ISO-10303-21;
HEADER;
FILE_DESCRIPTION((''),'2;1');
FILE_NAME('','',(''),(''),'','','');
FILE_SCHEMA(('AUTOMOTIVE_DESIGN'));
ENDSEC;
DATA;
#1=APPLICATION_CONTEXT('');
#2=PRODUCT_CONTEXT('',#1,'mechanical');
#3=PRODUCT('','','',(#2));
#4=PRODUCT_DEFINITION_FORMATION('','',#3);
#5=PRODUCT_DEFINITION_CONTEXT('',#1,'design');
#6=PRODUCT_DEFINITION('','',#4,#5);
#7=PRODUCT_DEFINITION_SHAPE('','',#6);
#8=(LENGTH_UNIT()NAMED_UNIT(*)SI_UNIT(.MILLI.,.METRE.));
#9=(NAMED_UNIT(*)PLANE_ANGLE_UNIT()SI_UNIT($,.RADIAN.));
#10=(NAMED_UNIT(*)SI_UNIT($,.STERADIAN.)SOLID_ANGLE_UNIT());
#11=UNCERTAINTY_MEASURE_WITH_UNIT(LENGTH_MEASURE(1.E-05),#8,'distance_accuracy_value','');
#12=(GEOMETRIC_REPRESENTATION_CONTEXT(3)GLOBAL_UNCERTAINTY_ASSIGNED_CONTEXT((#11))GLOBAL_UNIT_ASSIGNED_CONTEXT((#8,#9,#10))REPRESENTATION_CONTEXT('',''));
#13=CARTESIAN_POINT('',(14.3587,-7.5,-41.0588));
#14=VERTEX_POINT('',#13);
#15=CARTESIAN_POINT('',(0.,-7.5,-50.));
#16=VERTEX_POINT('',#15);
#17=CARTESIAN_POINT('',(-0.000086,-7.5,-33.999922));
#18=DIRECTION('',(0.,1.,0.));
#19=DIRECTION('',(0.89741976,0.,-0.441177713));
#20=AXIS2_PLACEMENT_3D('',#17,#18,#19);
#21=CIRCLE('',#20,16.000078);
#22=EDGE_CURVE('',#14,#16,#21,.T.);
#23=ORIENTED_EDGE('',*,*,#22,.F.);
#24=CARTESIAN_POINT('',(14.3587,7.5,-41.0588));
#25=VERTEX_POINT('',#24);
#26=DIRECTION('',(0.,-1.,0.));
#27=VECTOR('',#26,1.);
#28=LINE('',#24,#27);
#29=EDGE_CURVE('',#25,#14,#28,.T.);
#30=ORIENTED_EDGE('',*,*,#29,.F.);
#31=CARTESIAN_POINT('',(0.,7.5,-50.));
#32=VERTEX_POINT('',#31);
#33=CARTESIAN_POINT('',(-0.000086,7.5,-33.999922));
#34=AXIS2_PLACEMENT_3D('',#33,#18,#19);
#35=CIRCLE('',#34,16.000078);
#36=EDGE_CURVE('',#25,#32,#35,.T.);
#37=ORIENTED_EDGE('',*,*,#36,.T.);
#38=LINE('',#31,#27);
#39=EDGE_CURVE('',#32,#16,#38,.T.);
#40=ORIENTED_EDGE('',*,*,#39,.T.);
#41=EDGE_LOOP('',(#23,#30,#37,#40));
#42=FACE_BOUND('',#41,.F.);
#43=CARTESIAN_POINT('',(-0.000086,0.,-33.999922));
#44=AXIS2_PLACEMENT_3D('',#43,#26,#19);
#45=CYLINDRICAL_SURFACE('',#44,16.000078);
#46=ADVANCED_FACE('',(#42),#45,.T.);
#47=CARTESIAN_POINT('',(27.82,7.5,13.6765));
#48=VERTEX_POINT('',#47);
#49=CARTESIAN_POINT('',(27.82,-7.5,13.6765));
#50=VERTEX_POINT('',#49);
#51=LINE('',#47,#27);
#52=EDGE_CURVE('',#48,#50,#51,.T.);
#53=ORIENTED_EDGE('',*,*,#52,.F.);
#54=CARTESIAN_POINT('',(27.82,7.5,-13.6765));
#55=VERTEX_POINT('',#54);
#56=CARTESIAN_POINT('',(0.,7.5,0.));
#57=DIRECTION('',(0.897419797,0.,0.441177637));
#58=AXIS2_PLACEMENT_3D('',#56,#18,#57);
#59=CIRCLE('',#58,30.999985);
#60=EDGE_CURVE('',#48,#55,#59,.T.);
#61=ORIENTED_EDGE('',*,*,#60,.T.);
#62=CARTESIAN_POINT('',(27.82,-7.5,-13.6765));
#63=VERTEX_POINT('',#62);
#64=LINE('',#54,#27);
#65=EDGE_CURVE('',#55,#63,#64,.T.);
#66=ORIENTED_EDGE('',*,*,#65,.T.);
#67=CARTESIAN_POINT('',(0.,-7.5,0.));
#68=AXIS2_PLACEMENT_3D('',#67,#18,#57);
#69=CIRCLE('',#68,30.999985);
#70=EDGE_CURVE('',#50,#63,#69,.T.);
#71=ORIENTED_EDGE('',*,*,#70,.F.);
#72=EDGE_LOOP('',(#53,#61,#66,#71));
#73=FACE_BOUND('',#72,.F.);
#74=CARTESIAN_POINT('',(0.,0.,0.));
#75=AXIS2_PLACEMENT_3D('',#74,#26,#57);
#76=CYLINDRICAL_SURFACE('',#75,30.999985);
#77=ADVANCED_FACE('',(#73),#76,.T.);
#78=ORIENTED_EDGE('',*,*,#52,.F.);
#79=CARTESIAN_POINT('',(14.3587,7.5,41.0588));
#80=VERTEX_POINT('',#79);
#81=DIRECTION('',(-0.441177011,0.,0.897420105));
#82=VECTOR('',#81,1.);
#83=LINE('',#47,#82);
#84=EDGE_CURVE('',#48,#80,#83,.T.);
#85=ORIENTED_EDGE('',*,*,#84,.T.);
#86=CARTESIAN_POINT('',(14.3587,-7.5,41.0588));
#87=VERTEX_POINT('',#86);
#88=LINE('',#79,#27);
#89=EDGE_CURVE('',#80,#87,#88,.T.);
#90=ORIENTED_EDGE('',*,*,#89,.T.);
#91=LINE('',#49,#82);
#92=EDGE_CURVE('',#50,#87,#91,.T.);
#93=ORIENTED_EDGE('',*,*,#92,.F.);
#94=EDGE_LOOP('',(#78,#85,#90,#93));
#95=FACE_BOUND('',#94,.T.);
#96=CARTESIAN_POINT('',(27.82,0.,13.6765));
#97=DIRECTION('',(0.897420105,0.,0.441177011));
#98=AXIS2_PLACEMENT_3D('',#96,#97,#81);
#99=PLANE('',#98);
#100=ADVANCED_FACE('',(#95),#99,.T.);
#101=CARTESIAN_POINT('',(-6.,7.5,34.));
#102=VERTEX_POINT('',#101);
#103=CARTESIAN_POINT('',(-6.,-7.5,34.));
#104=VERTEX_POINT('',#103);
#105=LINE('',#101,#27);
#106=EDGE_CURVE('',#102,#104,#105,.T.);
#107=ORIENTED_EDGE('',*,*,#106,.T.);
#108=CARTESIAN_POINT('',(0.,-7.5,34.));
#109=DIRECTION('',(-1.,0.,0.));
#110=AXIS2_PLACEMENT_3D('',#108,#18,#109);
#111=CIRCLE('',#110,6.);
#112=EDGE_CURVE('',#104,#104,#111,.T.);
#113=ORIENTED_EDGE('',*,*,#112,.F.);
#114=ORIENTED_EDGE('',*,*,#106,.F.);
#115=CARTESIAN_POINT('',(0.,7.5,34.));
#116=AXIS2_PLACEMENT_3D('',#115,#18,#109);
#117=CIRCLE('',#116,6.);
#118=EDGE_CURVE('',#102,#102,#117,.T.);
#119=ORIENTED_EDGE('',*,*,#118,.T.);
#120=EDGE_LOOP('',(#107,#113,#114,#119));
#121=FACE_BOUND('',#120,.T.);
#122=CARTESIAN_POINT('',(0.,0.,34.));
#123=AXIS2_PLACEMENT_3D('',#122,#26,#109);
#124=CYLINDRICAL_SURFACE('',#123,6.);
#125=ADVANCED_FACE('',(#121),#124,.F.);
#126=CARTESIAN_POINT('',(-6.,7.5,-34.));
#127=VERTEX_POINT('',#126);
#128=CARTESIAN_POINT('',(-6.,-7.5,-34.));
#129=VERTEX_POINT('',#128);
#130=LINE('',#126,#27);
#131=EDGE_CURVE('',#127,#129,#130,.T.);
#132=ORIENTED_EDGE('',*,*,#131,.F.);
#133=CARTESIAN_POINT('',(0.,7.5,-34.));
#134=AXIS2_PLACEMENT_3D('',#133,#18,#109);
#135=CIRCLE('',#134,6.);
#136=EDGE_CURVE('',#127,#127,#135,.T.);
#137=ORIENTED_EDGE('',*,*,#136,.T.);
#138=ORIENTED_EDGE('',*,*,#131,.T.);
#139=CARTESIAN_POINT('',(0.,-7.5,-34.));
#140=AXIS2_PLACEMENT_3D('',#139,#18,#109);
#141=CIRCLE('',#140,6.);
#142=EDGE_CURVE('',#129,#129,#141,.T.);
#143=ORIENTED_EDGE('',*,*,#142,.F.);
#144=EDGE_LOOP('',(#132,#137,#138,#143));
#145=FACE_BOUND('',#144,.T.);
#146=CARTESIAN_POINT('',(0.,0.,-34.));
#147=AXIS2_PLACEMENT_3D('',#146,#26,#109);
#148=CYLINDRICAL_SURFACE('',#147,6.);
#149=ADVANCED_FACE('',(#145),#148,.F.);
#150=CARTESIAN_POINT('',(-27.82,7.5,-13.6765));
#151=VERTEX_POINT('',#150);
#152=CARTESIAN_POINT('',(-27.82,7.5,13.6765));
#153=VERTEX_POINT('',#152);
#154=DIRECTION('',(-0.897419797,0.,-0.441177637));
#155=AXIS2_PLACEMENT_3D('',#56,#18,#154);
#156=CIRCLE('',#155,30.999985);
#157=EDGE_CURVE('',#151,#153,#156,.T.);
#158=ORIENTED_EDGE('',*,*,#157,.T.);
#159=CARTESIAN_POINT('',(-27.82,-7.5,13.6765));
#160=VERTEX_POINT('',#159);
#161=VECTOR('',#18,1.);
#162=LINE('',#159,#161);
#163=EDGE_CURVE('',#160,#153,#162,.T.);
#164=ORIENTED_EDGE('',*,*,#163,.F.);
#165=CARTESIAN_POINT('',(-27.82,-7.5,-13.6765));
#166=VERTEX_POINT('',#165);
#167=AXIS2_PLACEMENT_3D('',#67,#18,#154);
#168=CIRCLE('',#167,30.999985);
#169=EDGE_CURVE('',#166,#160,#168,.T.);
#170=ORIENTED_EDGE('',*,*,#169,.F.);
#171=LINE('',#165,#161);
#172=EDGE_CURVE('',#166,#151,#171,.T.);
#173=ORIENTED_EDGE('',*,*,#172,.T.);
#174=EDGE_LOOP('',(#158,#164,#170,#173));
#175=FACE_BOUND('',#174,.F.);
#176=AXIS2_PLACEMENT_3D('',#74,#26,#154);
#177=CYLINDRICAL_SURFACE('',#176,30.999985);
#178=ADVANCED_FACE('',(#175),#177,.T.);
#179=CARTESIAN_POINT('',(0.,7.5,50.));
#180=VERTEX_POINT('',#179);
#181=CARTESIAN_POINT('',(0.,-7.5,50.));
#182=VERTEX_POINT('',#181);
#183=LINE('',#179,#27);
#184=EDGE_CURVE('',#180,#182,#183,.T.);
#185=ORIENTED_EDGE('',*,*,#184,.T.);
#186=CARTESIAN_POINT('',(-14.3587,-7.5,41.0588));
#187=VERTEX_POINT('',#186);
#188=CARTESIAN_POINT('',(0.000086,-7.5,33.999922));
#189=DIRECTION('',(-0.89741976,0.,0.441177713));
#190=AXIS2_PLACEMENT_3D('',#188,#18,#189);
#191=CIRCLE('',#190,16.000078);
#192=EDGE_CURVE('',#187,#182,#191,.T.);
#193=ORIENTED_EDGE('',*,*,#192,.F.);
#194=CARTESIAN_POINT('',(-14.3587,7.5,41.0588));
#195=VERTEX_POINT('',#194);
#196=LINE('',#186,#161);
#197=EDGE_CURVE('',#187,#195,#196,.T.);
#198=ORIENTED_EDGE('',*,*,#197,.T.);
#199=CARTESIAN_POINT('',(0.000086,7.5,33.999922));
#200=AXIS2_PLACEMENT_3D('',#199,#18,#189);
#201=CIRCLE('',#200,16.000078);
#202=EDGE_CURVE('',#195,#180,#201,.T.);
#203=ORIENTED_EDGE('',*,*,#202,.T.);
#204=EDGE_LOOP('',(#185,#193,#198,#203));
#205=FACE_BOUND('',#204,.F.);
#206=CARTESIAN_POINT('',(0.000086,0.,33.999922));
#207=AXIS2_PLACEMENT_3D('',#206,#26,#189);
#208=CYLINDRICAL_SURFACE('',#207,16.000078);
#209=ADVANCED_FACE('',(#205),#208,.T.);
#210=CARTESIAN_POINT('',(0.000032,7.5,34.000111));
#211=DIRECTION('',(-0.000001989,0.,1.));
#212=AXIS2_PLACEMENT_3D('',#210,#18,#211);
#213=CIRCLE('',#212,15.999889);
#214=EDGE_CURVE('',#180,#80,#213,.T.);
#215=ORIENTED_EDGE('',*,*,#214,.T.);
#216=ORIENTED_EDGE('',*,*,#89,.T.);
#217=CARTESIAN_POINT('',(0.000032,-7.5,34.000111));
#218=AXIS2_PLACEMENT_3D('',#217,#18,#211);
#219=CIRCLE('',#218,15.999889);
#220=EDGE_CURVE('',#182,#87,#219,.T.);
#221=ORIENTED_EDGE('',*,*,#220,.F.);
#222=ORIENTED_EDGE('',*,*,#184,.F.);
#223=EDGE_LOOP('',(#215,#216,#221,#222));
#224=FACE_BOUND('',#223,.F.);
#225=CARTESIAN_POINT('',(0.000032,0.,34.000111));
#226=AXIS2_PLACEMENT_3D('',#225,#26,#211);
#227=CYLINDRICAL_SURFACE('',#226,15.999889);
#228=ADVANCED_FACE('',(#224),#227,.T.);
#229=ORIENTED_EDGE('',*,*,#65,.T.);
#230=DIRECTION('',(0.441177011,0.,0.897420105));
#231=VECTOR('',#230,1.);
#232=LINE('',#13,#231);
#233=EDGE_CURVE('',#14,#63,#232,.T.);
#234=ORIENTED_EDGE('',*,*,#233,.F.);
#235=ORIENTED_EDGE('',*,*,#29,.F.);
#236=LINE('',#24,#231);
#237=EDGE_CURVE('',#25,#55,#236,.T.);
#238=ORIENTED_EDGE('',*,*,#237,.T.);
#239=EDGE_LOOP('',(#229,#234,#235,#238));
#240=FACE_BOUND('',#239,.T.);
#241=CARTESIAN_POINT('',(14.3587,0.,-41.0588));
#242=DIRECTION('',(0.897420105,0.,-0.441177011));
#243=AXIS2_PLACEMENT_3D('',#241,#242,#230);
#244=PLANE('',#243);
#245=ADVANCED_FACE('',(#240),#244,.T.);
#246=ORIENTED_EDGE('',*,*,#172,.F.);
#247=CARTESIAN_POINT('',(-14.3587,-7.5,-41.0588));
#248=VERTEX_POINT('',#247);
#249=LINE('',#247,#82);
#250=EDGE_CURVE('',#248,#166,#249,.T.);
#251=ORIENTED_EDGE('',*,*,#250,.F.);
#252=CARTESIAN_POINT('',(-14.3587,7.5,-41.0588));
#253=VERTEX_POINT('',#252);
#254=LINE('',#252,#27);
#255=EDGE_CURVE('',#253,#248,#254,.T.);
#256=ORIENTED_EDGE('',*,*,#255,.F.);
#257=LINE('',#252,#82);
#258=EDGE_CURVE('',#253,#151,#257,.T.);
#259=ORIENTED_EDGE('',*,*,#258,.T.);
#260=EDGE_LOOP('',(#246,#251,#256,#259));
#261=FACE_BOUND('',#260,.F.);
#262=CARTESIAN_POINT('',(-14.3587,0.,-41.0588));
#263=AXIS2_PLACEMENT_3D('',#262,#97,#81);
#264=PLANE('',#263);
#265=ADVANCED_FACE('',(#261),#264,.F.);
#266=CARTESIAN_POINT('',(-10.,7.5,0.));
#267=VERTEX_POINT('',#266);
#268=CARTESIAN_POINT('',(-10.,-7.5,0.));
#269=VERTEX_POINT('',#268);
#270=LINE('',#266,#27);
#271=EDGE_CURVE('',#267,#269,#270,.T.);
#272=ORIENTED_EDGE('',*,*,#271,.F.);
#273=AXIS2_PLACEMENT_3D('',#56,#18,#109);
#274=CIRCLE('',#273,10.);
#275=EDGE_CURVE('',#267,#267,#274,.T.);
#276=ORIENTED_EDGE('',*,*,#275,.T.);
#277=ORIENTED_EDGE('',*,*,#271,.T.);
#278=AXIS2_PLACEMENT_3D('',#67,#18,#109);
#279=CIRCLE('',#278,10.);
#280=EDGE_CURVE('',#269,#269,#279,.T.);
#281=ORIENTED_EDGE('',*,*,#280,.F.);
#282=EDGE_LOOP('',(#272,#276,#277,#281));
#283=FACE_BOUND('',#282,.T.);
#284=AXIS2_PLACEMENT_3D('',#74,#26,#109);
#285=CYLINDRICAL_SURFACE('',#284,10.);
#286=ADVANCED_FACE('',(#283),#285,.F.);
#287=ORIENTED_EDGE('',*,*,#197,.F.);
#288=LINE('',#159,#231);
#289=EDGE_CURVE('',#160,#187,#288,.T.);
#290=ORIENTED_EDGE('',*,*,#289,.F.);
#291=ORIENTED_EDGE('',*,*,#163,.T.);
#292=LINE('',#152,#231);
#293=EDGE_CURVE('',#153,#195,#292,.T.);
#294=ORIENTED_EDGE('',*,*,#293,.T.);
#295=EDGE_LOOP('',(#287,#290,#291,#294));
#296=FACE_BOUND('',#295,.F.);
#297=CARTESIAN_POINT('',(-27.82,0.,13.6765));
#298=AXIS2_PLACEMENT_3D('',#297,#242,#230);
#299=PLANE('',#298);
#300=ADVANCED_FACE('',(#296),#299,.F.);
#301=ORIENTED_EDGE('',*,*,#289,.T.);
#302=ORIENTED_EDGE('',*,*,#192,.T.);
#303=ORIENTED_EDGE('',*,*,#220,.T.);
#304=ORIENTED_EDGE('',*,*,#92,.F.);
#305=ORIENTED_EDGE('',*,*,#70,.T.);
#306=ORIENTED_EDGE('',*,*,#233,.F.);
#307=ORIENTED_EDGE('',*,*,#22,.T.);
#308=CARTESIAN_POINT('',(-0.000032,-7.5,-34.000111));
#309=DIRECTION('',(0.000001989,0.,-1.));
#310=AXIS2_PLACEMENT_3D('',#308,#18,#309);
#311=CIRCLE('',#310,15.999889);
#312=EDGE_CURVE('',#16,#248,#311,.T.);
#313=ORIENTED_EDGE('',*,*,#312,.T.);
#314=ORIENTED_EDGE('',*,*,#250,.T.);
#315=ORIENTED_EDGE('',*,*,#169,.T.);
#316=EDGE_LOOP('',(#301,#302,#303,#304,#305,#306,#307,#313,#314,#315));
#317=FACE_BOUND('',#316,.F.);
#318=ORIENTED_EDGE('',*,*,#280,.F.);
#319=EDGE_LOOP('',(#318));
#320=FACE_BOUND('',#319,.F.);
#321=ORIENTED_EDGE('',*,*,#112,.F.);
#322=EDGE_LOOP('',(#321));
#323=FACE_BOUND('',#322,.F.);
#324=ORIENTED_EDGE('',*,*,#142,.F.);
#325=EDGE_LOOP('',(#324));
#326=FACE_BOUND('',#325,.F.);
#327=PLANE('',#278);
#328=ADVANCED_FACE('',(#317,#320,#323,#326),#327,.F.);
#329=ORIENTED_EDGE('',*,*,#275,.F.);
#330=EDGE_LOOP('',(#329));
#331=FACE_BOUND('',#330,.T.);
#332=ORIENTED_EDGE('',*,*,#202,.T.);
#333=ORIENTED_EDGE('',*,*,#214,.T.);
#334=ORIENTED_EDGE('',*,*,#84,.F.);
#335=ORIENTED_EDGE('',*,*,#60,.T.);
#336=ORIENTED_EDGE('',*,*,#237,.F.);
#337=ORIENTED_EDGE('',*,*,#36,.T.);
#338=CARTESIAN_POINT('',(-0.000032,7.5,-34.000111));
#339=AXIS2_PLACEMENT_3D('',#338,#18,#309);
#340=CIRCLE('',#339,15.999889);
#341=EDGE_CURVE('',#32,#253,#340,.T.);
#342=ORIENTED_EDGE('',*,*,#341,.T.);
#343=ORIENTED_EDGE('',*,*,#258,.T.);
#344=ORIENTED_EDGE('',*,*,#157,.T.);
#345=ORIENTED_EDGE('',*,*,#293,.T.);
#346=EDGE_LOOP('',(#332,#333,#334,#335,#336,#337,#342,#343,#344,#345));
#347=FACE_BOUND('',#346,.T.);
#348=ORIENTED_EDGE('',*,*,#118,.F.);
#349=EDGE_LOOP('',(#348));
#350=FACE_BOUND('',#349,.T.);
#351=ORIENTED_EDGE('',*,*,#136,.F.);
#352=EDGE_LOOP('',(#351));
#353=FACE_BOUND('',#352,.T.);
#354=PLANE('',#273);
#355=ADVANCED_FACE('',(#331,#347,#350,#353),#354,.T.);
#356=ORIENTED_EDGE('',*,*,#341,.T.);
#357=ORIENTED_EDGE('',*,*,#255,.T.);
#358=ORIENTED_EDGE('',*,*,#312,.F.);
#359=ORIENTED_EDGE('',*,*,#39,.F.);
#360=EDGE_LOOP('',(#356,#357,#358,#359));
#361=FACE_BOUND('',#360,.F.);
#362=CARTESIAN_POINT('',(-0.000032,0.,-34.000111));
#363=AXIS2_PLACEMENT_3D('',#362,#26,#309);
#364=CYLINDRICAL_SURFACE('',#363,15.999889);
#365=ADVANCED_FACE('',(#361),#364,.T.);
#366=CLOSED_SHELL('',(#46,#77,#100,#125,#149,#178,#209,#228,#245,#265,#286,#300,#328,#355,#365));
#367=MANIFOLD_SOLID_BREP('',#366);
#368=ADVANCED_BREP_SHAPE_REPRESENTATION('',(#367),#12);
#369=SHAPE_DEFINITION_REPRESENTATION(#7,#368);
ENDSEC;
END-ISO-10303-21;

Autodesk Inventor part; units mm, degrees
ref_plane "YZ Plane" through (0, 0, 0) normal (1, 0, 0) x (0, 1, 0)
ref_plane "XZ Plane" through (0, 0, 0) normal (0, 1, 0) x (-1, 0, 0)
ref_plane "XY Plane" through (0, 0, 0) normal (0, 0, 1) x (1, 0, 0)
sketch "Sketch1" plane through (0, 0, 0) normal (0, 1, 0) x (-1, 0, 0)
  circle A0 centre (0, -34) radius 6
  circle A1 centre (0, 34) radius 6
  arc A2 (14.5606, -27.3676) -> (14.3587, -41.0588) centre (0, -34) ccw construction
  circle A3 centre (0, 34) radius 16 construction
  circle A4 centre (0, 0) radius 31 construction
  arc A5 (27.82, -13.6765) -> (27.82, 13.6765) centre (0, 0) ccw
  arc A6 (14.3587, 41.0588) -> (0, 50) centre (0, 34) ccw
  line L0 (27.82, 13.6765) -> (14.3587, 41.0588)
  arc A7 (0, -50) -> (14.3587, -41.0588) centre (0, -34) ccw
  line L1 (14.3587, -41.0588) -> (27.82, -13.6765)
  line L2 (0, 34) -> (0, -34) construction
  arc A8 (-27.82, 13.6765) -> (-27.82, -13.6765) centre (0, 0) ccw
  arc A9 (0, 50) -> (-14.3587, 41.0588) centre (0, 34) ccw
  line L3 (-27.82, 13.6765) -> (-14.3587, 41.0588)
  arc A10 (-14.3587, -41.0588) -> (0, -50) centre (0, -34) ccw
  line L4 (-14.3587, -41.0588) -> (-27.82, -13.6765)
  circle A11 centre (0, 0) radius 10
  point P0 (-14.5606, -27.3676)
  dimension "d0" = 12
  dimension "d1" = 68
  dimension "d2" = 34
  dimension "d3" = 32
  dimension "d4" = 62
  dimension "d5" = 20
extrude "Extrusion1" add sketch "Sketch1" along normal mid plane 15
equation "\"d2\" = 0.5 * d1"
properties part number "base_obj5"
